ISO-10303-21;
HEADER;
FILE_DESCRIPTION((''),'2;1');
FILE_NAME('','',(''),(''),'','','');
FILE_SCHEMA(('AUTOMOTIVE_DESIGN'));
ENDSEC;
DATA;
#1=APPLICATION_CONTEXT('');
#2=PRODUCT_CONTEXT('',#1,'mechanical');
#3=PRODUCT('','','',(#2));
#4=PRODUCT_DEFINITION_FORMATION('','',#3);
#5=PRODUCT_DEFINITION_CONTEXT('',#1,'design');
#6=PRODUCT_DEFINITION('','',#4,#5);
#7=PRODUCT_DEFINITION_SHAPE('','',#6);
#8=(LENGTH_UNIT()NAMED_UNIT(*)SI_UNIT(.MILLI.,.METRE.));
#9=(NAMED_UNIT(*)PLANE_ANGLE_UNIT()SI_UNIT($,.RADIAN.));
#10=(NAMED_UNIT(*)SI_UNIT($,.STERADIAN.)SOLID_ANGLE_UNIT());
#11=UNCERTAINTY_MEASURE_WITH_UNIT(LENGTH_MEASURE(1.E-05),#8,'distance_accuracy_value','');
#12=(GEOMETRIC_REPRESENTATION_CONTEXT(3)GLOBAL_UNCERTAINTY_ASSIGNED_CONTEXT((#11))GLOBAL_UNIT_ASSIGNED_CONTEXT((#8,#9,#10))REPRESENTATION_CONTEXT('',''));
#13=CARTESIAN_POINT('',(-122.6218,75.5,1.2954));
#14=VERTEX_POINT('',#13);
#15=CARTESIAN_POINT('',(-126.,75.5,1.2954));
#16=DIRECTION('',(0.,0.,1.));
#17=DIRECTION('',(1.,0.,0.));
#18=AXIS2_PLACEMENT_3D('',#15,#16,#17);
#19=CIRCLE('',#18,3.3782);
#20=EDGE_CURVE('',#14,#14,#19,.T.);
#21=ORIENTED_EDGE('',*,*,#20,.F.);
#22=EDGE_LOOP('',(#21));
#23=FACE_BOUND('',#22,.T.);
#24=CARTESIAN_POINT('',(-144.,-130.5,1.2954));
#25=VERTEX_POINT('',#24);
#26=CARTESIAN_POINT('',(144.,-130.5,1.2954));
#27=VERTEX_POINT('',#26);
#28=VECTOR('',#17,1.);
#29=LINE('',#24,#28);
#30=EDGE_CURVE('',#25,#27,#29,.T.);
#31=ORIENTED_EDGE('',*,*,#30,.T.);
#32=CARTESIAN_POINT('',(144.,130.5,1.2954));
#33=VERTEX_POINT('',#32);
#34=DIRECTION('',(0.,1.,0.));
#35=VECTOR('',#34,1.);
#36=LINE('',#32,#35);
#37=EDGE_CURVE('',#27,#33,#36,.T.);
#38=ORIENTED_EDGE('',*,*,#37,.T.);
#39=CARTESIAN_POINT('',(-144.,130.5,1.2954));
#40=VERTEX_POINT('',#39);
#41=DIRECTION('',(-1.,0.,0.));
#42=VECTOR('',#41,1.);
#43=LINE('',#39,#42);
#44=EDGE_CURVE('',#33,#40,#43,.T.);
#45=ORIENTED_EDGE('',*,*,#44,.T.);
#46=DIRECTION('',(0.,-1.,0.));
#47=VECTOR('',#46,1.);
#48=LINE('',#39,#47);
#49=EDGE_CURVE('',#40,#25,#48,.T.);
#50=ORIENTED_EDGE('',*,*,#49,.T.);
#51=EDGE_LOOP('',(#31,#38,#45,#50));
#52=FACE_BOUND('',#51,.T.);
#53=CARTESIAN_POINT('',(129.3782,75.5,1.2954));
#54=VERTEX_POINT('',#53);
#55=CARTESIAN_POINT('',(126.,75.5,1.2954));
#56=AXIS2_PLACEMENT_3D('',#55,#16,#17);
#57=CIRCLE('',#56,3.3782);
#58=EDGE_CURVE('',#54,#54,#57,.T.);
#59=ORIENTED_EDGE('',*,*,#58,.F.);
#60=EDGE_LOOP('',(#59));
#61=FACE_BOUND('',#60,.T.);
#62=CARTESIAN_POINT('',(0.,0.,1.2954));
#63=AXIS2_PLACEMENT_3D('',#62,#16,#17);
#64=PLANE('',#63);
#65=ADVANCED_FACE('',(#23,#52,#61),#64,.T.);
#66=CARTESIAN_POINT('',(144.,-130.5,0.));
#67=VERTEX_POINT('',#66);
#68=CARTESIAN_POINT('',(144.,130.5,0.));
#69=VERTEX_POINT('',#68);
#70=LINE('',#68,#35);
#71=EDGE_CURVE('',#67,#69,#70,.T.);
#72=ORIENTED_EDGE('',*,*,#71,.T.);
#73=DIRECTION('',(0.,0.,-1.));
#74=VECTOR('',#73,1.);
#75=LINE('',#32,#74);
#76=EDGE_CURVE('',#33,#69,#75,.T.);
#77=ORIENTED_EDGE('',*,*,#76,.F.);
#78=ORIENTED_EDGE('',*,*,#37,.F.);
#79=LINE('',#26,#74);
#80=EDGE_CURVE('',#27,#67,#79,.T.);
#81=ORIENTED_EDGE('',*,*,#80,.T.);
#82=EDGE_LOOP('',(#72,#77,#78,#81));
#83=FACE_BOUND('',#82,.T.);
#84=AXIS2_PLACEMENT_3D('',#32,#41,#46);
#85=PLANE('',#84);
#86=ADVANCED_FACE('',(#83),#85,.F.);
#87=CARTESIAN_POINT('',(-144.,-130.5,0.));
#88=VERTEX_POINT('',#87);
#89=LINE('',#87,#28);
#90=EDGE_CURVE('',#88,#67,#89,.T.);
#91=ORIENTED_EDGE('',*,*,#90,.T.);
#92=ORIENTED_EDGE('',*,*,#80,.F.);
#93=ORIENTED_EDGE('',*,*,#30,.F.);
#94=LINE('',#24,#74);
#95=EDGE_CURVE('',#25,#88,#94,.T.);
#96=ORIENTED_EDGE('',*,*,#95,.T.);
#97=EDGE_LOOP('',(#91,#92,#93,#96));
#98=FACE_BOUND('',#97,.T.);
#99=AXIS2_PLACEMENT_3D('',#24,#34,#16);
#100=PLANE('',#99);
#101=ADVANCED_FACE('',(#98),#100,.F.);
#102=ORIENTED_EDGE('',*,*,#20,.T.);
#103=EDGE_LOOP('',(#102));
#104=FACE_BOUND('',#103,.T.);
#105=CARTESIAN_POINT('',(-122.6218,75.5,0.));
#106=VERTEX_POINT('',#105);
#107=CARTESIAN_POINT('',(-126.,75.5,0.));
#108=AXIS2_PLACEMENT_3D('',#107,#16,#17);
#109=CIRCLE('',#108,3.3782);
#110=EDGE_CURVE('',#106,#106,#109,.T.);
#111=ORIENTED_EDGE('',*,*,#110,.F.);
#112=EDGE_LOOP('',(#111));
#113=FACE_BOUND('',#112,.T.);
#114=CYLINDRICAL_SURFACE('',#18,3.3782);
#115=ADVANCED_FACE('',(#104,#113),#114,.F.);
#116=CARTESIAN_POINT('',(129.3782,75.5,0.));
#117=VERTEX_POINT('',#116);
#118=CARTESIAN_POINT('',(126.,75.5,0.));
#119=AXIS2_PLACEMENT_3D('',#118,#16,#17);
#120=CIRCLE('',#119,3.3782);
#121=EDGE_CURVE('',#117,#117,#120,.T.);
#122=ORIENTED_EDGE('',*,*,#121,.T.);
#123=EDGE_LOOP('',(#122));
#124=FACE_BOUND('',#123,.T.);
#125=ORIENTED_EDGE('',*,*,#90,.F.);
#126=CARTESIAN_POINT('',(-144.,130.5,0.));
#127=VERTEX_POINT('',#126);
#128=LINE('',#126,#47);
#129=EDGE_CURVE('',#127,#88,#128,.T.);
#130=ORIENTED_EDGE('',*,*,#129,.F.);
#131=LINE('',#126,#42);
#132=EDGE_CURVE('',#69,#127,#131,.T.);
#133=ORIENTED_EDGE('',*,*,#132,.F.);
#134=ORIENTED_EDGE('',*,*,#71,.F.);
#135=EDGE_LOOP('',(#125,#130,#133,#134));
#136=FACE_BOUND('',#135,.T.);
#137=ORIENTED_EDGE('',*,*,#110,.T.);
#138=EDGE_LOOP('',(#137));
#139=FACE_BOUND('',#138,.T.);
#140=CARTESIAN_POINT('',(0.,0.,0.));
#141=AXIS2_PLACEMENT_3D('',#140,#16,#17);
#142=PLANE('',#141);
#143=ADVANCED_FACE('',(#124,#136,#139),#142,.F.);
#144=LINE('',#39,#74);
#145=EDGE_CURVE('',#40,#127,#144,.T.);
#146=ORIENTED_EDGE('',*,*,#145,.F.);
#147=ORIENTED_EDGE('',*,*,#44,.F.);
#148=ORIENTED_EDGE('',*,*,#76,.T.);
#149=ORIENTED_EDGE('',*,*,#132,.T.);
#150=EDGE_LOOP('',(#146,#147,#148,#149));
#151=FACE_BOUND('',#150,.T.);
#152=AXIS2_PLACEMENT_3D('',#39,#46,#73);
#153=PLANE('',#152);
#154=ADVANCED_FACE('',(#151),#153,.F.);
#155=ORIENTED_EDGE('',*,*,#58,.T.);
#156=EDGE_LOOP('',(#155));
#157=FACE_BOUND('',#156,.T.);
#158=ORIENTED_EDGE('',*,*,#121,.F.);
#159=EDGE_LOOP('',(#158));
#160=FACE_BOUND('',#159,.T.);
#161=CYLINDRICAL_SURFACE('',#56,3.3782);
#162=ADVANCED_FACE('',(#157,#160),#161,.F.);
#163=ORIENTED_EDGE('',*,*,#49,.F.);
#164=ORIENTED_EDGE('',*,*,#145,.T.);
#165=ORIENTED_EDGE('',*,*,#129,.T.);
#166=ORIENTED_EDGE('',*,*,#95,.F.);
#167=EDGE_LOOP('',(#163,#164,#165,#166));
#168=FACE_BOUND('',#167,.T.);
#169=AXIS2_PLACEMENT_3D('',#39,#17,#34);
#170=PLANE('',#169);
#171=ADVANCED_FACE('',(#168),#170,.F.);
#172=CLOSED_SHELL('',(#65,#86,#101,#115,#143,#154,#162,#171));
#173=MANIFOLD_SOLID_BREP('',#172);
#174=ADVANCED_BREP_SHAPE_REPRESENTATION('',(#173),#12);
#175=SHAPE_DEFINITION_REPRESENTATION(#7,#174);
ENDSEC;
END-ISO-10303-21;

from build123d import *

# Parameters (mm, degrees)
SKETCH2_W               = 288
SKETCH2_H               = 261
BOSS_EXTRUDE1_DEPTH     = 1.2954
F_1_4_CLEARANCE_HOLE1_D = 6.7564


with BuildPart() as part:
    # Sketch2 → Boss-Extrude1 (new body)
    with BuildSketch(Plane.XY):
        Rectangle(SKETCH2_W, SKETCH2_H)
    extrude(amount=BOSS_EXTRUDE1_DEPTH)

    # 1/4 Clearance Hole1 (through all)
    with Locations(Plane.XY.offset(1.2954)):
        with Locations((-126, 75.5), (126, 75.5)):
            Hole(F_1_4_CLEARANCE_HOLE1_D / 2)


solid = part.part
